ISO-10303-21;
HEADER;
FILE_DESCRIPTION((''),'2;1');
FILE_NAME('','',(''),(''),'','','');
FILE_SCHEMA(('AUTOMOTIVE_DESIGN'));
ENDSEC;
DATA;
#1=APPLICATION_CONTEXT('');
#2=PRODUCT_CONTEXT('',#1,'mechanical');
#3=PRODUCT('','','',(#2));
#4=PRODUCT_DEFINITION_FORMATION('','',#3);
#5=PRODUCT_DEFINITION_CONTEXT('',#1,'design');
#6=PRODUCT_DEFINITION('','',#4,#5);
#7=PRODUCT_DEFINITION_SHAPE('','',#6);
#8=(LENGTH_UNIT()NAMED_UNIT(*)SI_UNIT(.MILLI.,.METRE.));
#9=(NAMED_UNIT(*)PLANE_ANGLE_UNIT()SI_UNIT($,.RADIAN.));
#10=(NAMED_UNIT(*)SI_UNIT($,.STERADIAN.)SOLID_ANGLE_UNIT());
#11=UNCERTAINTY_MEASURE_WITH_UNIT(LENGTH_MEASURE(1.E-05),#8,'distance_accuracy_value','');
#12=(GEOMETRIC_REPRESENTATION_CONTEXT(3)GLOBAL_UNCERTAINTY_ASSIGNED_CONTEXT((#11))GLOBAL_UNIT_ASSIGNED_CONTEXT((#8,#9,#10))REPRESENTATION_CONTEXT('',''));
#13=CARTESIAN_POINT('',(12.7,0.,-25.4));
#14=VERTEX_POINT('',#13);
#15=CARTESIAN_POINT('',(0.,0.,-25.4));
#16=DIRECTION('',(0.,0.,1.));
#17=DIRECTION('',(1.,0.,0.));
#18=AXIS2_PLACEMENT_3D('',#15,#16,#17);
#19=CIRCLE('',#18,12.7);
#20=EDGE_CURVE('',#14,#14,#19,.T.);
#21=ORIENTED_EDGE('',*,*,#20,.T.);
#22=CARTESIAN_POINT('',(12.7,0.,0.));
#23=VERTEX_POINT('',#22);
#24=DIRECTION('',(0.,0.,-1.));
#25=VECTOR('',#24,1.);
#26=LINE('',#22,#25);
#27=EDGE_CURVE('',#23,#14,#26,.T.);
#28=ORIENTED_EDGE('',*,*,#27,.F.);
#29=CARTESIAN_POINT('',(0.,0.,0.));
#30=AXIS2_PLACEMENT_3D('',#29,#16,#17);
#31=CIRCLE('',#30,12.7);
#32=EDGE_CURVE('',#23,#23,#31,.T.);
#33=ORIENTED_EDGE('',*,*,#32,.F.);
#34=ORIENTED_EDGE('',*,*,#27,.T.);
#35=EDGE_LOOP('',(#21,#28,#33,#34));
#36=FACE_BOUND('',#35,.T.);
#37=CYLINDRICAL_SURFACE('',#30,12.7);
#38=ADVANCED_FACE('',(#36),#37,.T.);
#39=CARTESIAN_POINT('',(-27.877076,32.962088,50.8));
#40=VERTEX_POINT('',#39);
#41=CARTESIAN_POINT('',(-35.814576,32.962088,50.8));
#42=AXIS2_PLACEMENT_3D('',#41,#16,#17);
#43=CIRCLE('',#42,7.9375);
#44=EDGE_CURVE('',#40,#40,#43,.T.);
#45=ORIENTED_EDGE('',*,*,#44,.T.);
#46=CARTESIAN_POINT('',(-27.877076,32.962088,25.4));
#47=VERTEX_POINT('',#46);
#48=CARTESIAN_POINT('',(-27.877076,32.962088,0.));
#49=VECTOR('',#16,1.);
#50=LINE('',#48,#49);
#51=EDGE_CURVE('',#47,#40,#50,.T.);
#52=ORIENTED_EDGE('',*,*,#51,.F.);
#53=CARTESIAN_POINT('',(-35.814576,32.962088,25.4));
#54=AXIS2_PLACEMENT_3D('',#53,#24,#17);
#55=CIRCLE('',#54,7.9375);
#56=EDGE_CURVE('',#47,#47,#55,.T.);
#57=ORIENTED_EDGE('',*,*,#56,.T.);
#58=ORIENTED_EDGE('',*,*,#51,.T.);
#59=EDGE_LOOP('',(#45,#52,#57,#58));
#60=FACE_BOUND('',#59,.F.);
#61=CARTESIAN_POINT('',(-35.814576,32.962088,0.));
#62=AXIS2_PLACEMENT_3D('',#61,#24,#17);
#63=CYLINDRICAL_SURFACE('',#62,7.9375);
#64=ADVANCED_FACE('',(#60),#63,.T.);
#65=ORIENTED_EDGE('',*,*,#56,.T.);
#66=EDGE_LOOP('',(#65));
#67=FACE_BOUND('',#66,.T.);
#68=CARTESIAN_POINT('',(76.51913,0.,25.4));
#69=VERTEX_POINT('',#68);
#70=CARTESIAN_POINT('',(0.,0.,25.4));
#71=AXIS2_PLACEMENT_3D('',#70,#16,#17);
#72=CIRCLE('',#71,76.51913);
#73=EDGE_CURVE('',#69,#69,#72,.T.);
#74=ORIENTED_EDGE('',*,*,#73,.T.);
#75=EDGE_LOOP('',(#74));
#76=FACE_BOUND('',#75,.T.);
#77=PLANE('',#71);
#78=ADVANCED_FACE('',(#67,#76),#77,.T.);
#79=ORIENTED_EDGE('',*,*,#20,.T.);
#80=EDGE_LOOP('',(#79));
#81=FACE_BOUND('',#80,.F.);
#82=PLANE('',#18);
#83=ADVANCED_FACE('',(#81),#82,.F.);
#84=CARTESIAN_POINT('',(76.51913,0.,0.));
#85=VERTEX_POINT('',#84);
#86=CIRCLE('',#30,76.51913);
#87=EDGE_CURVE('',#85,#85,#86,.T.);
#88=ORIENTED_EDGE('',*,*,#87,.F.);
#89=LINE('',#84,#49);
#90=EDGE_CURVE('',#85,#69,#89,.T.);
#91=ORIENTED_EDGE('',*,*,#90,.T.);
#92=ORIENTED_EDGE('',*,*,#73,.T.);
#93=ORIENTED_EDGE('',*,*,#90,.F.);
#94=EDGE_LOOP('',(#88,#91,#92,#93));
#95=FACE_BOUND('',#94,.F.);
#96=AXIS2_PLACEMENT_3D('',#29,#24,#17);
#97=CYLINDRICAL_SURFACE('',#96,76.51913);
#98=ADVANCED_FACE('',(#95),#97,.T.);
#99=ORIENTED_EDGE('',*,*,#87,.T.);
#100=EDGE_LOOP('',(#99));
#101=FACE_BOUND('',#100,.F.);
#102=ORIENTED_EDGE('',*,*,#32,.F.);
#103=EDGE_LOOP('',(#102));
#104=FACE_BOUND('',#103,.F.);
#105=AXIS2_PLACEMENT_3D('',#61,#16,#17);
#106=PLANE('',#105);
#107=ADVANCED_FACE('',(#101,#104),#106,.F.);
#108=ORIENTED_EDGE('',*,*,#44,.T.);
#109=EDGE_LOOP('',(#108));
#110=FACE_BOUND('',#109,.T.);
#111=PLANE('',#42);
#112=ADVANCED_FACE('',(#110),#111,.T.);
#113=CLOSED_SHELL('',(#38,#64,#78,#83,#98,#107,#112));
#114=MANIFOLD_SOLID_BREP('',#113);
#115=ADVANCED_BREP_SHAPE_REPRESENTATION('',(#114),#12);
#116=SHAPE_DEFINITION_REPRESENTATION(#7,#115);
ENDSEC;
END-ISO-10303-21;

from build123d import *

# Parameters (mm, degrees)
F0_R     = 76.51913
F1_DEPTH = 25.4
F2_R     = 7.9375
F3_DEPTH = 50.8
F4_R     = 12.7
F5_DEPTH = 25.4


with BuildPart() as f1:
    # F0 (on Top) → F1 (new body)
    with BuildSketch(Plane.XY):
        Circle(F0_R)
    extrude(amount=F1_DEPTH)

    # F2 (on Top) → F3 (join)
    with BuildSketch(Plane.XY):
        with Locations((-35.814576, 32.962088)):
            Circle(F2_R)
    extrude(amount=F3_DEPTH)

    # F4 (on Top) → F5 (join)
    with BuildSketch(Plane.XY):
        Circle(F4_R)
    extrude(amount=-F5_DEPTH)


solid = f1.part
